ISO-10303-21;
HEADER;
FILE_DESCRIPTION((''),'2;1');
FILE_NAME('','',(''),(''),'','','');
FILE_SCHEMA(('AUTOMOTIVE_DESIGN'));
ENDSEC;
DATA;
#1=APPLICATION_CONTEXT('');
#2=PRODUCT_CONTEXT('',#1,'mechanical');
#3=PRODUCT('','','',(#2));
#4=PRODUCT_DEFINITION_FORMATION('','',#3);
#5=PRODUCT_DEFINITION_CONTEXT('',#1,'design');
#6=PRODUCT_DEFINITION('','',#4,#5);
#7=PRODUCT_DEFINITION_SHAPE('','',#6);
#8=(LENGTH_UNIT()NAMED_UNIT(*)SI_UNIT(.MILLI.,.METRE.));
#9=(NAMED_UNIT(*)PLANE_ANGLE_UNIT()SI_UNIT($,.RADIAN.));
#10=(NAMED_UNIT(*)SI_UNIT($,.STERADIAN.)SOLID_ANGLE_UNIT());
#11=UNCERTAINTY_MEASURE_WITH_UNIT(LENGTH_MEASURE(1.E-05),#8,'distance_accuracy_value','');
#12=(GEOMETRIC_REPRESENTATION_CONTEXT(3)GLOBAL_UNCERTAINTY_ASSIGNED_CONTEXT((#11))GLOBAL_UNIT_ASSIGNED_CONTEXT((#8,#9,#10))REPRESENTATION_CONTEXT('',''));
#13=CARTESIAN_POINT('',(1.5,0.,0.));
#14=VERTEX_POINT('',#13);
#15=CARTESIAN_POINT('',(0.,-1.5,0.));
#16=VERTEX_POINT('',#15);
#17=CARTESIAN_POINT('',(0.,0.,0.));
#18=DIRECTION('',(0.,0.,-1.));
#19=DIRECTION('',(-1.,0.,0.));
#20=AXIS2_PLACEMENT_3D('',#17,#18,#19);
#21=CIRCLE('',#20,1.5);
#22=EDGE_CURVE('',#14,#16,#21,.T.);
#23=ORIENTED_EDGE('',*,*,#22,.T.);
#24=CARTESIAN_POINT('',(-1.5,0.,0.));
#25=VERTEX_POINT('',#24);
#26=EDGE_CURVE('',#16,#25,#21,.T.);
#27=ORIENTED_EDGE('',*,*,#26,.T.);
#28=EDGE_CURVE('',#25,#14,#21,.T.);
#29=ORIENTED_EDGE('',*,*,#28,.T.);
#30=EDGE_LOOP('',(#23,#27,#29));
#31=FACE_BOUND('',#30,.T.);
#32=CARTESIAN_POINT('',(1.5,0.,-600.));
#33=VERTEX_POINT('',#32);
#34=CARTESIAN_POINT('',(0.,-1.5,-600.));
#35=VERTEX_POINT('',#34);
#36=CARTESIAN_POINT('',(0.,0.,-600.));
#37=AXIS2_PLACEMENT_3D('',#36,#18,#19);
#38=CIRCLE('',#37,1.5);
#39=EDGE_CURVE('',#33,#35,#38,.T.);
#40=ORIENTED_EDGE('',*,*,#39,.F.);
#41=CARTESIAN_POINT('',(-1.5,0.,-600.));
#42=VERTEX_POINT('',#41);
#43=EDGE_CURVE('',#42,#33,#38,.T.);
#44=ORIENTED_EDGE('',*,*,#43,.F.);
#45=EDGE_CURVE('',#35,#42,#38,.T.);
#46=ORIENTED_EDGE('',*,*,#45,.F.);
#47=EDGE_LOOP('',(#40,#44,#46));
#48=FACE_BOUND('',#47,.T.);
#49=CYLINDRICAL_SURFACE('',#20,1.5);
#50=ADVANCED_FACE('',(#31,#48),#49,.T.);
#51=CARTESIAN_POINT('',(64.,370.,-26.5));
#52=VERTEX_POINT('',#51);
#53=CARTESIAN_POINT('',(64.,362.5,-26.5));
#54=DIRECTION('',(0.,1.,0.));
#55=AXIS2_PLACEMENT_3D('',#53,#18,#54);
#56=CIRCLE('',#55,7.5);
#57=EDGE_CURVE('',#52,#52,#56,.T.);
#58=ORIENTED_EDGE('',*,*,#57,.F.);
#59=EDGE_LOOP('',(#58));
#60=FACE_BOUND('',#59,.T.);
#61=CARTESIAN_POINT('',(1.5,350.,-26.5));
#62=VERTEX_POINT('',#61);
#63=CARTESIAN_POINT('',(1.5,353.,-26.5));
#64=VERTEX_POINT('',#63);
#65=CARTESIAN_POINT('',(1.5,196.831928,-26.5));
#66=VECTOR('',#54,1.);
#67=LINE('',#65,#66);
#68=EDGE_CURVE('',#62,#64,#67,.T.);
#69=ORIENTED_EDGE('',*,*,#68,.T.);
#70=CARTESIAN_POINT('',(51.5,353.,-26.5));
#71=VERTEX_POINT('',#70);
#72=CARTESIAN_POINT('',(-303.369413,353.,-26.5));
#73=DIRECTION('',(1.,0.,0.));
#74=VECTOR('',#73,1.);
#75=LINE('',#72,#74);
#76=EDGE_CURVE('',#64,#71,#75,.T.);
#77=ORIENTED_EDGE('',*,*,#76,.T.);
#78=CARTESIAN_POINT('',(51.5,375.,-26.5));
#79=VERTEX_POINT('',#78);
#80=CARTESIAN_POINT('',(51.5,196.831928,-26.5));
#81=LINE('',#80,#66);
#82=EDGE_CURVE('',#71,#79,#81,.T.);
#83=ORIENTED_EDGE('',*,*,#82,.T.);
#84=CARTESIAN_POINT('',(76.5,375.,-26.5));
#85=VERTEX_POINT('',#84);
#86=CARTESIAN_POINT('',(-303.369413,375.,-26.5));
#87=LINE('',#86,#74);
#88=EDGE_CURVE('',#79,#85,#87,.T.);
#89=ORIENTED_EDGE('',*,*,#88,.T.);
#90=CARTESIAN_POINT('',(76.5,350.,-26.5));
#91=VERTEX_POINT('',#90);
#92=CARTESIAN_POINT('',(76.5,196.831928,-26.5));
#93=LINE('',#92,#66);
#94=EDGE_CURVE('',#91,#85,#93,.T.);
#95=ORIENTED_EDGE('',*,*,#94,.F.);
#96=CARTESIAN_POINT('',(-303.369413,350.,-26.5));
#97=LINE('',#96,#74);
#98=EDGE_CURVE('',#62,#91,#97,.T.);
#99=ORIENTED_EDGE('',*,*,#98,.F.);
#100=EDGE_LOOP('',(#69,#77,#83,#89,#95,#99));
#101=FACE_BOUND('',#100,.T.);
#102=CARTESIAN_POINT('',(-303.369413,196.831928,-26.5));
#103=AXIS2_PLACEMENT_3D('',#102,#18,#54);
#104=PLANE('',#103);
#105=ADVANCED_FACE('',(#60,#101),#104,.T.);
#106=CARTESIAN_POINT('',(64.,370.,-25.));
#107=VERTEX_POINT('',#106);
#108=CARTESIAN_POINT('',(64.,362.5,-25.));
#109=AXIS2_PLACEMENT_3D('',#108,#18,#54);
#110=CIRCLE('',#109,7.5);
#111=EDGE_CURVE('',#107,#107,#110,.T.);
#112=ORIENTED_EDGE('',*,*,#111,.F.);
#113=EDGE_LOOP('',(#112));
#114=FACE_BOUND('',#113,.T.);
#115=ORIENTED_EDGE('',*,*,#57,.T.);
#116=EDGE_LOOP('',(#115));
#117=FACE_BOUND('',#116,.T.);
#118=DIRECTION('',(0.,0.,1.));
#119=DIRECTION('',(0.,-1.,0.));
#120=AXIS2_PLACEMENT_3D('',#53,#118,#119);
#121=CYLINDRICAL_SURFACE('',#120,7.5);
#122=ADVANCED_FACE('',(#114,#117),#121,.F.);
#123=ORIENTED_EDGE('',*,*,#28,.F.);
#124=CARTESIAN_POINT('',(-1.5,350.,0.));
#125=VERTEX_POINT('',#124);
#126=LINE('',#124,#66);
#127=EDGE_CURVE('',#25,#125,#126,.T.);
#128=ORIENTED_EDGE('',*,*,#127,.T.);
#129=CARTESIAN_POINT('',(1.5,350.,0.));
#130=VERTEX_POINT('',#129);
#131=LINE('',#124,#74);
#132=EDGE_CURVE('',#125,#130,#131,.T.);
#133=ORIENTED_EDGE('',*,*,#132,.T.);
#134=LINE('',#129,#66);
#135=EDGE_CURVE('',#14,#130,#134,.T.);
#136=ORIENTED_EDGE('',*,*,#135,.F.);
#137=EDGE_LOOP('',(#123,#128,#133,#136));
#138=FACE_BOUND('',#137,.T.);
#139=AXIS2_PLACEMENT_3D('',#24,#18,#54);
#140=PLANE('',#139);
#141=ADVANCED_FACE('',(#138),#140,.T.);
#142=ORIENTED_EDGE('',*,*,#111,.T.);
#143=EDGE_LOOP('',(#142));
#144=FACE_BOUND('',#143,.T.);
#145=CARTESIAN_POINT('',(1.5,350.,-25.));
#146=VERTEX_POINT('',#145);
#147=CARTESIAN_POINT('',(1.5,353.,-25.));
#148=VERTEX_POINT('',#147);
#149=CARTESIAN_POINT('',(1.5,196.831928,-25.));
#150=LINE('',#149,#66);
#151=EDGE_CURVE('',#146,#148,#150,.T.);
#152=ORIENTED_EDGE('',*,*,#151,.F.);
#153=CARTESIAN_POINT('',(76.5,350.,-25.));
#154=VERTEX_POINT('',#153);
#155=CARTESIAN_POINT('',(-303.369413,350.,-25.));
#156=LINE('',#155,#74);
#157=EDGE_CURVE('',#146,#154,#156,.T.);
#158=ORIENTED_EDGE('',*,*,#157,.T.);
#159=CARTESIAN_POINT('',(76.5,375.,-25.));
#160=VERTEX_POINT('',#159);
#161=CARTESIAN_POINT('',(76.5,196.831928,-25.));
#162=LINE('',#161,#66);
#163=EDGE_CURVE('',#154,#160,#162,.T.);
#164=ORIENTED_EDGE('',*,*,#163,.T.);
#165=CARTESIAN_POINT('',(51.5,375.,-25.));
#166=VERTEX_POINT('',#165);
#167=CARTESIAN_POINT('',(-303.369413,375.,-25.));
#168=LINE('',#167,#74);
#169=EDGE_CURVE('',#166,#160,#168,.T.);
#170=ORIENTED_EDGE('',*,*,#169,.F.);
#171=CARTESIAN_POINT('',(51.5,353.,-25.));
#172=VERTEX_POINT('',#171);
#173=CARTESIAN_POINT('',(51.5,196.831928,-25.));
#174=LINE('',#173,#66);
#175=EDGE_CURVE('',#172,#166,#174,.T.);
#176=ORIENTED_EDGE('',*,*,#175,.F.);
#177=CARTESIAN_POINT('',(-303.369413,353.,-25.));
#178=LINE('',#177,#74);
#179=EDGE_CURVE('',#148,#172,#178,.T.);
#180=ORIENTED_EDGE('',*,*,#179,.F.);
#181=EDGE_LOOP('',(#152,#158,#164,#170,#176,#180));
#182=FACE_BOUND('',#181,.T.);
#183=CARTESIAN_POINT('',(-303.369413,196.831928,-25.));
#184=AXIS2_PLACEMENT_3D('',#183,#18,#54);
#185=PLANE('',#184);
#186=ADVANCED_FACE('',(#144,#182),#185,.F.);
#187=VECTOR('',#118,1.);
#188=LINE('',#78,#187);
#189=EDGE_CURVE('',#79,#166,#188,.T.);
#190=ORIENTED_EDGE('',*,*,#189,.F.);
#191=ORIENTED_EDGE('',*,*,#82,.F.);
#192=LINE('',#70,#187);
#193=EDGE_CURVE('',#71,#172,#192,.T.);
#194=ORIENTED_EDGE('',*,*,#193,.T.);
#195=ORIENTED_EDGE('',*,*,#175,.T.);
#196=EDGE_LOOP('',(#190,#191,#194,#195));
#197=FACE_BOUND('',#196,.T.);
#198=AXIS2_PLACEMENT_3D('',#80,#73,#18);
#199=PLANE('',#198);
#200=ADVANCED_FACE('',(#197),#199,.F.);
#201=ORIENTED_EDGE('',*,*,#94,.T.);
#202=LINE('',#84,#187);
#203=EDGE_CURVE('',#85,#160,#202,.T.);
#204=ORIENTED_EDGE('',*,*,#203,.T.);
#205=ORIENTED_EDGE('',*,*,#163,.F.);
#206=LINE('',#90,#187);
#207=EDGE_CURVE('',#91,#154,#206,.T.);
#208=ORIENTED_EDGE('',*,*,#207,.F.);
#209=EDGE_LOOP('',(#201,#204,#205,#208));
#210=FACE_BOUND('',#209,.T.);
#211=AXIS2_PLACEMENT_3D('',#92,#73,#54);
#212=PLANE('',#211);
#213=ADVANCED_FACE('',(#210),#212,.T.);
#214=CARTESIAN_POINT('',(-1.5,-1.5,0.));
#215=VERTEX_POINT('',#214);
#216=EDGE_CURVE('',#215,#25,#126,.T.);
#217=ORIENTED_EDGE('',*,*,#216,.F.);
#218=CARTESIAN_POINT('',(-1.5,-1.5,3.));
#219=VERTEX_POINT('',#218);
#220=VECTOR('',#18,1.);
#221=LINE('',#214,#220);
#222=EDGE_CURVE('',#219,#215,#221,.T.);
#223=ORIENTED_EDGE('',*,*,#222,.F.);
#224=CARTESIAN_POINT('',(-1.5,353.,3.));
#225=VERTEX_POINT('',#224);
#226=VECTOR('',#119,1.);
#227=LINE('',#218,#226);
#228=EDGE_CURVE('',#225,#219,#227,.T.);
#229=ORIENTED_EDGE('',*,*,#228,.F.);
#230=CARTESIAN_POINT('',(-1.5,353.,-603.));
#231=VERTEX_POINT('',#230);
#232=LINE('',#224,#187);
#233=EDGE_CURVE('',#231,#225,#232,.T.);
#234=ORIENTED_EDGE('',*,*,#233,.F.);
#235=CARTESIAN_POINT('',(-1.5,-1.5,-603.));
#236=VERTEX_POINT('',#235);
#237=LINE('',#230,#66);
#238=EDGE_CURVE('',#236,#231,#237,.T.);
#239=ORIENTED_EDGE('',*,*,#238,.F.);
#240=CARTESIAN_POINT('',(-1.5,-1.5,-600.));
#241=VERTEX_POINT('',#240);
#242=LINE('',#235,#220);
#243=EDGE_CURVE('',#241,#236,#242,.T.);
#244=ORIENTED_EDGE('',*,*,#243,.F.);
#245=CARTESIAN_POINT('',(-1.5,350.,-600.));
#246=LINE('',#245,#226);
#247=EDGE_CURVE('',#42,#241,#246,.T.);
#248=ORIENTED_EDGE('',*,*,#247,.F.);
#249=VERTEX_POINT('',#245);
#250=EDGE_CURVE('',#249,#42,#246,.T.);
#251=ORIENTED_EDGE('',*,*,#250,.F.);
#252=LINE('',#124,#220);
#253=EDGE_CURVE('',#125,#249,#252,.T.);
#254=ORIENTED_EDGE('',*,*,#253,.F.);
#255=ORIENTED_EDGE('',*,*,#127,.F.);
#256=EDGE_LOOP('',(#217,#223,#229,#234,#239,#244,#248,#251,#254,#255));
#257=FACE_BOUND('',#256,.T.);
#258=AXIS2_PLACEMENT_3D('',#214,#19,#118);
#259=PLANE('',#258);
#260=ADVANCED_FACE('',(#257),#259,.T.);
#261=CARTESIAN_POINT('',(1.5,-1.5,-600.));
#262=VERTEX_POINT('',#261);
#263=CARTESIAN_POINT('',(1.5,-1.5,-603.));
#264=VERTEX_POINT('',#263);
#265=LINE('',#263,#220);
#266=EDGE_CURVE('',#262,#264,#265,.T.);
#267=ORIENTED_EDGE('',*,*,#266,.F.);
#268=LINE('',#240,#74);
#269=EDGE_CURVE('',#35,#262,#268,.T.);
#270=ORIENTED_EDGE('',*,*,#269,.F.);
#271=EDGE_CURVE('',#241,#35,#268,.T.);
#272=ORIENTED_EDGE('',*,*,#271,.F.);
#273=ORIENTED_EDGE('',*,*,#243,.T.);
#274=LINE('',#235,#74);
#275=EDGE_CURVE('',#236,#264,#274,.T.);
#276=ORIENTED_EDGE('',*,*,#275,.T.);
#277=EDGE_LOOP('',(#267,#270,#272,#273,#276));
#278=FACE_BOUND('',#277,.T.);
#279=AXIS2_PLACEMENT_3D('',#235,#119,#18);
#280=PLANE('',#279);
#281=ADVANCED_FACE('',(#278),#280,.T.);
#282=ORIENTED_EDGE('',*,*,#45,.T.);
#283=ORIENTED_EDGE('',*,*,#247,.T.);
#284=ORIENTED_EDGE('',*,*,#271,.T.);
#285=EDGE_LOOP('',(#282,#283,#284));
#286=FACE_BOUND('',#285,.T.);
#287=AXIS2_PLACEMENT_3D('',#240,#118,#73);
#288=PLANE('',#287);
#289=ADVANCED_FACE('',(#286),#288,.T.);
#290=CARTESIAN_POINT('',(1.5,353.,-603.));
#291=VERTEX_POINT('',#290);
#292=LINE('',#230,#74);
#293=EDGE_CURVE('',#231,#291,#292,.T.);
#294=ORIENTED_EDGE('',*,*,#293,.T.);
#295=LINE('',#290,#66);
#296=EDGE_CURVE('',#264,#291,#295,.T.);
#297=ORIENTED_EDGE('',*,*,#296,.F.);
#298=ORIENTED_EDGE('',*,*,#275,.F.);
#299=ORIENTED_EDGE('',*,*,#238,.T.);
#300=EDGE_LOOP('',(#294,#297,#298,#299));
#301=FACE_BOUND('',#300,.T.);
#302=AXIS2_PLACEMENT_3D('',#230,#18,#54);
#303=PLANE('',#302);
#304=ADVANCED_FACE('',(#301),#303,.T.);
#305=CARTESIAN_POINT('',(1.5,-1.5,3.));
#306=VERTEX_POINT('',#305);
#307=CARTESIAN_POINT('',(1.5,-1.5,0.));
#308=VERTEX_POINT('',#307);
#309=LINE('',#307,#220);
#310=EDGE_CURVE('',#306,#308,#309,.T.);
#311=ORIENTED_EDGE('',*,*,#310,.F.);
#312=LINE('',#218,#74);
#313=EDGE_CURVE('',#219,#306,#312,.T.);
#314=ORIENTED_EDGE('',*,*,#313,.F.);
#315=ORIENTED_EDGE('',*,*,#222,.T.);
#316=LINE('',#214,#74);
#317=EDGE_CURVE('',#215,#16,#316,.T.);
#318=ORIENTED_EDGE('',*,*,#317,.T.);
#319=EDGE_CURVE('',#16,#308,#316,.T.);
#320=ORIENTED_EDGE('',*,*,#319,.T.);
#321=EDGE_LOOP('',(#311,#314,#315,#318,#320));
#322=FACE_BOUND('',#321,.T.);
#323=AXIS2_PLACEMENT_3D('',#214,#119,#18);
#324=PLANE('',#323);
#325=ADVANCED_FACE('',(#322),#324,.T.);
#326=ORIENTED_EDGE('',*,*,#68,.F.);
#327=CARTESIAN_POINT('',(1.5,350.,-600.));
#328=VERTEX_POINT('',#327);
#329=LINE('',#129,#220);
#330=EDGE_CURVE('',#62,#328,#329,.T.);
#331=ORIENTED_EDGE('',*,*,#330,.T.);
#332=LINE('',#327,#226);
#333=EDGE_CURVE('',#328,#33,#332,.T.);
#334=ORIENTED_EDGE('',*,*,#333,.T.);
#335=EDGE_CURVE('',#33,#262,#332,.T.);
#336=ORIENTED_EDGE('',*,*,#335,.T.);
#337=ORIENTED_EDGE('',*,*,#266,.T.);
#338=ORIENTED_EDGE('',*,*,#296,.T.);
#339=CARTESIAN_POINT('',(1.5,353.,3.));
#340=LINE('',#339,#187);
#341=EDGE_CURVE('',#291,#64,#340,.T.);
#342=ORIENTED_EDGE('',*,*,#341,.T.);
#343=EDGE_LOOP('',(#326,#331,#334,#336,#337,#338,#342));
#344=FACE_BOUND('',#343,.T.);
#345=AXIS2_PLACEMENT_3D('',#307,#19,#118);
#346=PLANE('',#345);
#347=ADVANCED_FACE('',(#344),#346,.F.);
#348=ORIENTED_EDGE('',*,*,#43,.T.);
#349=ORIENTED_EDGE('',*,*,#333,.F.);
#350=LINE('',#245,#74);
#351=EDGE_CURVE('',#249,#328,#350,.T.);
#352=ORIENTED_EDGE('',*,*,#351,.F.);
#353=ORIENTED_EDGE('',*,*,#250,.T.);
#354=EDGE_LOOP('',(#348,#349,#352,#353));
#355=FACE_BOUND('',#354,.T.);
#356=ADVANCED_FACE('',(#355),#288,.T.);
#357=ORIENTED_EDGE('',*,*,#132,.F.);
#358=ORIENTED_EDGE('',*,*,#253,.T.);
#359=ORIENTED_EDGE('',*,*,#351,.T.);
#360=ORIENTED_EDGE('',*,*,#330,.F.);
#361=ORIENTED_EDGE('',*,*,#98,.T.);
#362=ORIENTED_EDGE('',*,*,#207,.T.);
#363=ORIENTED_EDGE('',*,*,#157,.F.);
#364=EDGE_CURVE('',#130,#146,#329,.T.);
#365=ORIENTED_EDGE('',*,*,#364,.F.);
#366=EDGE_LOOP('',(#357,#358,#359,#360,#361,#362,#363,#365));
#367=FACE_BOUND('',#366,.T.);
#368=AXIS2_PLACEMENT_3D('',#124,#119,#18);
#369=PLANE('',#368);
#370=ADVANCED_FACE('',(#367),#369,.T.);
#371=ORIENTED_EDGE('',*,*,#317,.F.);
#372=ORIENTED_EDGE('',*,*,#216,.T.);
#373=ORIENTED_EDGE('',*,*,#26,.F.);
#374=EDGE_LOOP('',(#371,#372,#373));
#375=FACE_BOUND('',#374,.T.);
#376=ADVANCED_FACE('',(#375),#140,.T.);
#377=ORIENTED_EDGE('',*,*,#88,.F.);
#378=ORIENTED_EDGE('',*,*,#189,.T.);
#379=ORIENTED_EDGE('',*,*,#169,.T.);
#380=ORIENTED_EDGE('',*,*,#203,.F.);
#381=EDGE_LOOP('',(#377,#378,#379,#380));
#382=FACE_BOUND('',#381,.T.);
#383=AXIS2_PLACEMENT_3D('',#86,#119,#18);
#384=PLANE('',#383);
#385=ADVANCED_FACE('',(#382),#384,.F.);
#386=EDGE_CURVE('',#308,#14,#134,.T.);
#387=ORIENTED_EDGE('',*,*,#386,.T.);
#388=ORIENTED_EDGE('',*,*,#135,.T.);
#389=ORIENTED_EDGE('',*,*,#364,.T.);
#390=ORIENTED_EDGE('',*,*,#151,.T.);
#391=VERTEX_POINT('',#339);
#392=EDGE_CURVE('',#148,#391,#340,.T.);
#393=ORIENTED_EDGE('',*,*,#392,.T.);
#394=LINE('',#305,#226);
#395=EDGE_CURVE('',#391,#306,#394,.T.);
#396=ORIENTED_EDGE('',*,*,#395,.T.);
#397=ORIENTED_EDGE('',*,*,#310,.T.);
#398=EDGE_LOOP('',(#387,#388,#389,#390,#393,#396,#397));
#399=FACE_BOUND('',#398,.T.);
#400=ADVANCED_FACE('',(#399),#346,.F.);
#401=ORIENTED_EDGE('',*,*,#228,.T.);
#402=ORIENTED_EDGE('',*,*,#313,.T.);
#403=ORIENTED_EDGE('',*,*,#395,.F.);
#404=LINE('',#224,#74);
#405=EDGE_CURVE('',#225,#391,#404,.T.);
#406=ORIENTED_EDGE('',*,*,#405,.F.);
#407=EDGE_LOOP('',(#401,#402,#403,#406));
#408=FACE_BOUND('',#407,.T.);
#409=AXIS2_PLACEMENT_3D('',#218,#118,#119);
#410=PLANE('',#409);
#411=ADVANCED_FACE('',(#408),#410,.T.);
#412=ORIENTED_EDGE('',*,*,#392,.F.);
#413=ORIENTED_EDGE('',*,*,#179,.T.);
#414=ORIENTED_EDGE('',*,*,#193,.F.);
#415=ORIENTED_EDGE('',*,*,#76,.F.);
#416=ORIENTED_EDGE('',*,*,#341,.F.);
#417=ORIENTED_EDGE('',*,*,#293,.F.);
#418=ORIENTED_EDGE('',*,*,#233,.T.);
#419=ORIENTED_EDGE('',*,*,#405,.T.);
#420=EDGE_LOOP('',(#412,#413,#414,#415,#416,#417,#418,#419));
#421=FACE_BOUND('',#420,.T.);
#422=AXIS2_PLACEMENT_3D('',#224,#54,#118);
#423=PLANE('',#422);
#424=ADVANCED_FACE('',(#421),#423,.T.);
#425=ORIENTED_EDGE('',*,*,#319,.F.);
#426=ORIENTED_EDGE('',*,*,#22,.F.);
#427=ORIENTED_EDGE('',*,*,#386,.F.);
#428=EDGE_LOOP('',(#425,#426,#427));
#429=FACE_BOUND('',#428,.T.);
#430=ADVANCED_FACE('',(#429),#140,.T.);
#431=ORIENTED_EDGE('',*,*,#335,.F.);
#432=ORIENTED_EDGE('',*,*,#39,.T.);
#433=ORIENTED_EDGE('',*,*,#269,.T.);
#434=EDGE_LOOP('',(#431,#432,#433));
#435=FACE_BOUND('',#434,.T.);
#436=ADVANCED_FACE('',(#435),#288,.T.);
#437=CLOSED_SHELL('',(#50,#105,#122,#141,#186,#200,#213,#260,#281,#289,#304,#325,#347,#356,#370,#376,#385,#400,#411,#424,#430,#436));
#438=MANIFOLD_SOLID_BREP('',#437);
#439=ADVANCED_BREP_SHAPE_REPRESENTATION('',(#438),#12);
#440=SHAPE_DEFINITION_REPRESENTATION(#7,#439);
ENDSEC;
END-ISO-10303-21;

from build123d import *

# Parameters (mm, degrees)
SKETCH2_R                = 1.5
BOSS_EXTRUDE1_DEPTH      = 600
BOSS_EXTRUDE2_DEPTH      = 1.5
BOSS_EXTRUDE2_DEPTH_BACK = 1.5
SKETCH3_R                = 7.5
BOSS_EXTRUDE3_DEPTH      = 1.5


with BuildPart() as part:
    # Sketch2 → Boss-Extrude1 (new body)
    with BuildSketch(Plane(origin=(0, 0, -600), x_dir=(-1, 0, 0), z_dir=(0, 0, -1))):
        Circle(SKETCH2_R)
    extrude(amount=-BOSS_EXTRUDE1_DEPTH)

    # Sketch1 → Boss-Extrude2 (add, two sides: drawn at the far end of the back side and taken through both)
    with BuildSketch(Plane(origin=(0, 0, 0), x_dir=(0, 0, -1), z_dir=(1, 0, 0)).offset(-BOSS_EXTRUDE2_DEPTH_BACK)):
        Polygon((0, 0), (0, -1.5), (-3, -1.5), (-3, 353), (603, 353), (603, -1.5), (600, -1.5), (600, 0), (600, 350), (0, 350), align=None)
    extrude(amount=BOSS_EXTRUDE2_DEPTH + BOSS_EXTRUDE2_DEPTH_BACK)

    # Sketch3 → Boss-Extrude3 (add)
    with BuildSketch(Plane(origin=(0, 0, -25), x_dir=(-1, 0, 0), z_dir=(0, 0, -1))):
        Polygon((-1.5, 350), (-1.5, 353), (-51.5, 353), (-51.5, 375), (-76.5, 375), (-76.5, 350), align=None)
        with Locations((-64, 362.5)):
            Circle(SKETCH3_R, mode=Mode.SUBTRACT)
    extrude(amount=BOSS_EXTRUDE3_DEPTH)


solid = part.part
